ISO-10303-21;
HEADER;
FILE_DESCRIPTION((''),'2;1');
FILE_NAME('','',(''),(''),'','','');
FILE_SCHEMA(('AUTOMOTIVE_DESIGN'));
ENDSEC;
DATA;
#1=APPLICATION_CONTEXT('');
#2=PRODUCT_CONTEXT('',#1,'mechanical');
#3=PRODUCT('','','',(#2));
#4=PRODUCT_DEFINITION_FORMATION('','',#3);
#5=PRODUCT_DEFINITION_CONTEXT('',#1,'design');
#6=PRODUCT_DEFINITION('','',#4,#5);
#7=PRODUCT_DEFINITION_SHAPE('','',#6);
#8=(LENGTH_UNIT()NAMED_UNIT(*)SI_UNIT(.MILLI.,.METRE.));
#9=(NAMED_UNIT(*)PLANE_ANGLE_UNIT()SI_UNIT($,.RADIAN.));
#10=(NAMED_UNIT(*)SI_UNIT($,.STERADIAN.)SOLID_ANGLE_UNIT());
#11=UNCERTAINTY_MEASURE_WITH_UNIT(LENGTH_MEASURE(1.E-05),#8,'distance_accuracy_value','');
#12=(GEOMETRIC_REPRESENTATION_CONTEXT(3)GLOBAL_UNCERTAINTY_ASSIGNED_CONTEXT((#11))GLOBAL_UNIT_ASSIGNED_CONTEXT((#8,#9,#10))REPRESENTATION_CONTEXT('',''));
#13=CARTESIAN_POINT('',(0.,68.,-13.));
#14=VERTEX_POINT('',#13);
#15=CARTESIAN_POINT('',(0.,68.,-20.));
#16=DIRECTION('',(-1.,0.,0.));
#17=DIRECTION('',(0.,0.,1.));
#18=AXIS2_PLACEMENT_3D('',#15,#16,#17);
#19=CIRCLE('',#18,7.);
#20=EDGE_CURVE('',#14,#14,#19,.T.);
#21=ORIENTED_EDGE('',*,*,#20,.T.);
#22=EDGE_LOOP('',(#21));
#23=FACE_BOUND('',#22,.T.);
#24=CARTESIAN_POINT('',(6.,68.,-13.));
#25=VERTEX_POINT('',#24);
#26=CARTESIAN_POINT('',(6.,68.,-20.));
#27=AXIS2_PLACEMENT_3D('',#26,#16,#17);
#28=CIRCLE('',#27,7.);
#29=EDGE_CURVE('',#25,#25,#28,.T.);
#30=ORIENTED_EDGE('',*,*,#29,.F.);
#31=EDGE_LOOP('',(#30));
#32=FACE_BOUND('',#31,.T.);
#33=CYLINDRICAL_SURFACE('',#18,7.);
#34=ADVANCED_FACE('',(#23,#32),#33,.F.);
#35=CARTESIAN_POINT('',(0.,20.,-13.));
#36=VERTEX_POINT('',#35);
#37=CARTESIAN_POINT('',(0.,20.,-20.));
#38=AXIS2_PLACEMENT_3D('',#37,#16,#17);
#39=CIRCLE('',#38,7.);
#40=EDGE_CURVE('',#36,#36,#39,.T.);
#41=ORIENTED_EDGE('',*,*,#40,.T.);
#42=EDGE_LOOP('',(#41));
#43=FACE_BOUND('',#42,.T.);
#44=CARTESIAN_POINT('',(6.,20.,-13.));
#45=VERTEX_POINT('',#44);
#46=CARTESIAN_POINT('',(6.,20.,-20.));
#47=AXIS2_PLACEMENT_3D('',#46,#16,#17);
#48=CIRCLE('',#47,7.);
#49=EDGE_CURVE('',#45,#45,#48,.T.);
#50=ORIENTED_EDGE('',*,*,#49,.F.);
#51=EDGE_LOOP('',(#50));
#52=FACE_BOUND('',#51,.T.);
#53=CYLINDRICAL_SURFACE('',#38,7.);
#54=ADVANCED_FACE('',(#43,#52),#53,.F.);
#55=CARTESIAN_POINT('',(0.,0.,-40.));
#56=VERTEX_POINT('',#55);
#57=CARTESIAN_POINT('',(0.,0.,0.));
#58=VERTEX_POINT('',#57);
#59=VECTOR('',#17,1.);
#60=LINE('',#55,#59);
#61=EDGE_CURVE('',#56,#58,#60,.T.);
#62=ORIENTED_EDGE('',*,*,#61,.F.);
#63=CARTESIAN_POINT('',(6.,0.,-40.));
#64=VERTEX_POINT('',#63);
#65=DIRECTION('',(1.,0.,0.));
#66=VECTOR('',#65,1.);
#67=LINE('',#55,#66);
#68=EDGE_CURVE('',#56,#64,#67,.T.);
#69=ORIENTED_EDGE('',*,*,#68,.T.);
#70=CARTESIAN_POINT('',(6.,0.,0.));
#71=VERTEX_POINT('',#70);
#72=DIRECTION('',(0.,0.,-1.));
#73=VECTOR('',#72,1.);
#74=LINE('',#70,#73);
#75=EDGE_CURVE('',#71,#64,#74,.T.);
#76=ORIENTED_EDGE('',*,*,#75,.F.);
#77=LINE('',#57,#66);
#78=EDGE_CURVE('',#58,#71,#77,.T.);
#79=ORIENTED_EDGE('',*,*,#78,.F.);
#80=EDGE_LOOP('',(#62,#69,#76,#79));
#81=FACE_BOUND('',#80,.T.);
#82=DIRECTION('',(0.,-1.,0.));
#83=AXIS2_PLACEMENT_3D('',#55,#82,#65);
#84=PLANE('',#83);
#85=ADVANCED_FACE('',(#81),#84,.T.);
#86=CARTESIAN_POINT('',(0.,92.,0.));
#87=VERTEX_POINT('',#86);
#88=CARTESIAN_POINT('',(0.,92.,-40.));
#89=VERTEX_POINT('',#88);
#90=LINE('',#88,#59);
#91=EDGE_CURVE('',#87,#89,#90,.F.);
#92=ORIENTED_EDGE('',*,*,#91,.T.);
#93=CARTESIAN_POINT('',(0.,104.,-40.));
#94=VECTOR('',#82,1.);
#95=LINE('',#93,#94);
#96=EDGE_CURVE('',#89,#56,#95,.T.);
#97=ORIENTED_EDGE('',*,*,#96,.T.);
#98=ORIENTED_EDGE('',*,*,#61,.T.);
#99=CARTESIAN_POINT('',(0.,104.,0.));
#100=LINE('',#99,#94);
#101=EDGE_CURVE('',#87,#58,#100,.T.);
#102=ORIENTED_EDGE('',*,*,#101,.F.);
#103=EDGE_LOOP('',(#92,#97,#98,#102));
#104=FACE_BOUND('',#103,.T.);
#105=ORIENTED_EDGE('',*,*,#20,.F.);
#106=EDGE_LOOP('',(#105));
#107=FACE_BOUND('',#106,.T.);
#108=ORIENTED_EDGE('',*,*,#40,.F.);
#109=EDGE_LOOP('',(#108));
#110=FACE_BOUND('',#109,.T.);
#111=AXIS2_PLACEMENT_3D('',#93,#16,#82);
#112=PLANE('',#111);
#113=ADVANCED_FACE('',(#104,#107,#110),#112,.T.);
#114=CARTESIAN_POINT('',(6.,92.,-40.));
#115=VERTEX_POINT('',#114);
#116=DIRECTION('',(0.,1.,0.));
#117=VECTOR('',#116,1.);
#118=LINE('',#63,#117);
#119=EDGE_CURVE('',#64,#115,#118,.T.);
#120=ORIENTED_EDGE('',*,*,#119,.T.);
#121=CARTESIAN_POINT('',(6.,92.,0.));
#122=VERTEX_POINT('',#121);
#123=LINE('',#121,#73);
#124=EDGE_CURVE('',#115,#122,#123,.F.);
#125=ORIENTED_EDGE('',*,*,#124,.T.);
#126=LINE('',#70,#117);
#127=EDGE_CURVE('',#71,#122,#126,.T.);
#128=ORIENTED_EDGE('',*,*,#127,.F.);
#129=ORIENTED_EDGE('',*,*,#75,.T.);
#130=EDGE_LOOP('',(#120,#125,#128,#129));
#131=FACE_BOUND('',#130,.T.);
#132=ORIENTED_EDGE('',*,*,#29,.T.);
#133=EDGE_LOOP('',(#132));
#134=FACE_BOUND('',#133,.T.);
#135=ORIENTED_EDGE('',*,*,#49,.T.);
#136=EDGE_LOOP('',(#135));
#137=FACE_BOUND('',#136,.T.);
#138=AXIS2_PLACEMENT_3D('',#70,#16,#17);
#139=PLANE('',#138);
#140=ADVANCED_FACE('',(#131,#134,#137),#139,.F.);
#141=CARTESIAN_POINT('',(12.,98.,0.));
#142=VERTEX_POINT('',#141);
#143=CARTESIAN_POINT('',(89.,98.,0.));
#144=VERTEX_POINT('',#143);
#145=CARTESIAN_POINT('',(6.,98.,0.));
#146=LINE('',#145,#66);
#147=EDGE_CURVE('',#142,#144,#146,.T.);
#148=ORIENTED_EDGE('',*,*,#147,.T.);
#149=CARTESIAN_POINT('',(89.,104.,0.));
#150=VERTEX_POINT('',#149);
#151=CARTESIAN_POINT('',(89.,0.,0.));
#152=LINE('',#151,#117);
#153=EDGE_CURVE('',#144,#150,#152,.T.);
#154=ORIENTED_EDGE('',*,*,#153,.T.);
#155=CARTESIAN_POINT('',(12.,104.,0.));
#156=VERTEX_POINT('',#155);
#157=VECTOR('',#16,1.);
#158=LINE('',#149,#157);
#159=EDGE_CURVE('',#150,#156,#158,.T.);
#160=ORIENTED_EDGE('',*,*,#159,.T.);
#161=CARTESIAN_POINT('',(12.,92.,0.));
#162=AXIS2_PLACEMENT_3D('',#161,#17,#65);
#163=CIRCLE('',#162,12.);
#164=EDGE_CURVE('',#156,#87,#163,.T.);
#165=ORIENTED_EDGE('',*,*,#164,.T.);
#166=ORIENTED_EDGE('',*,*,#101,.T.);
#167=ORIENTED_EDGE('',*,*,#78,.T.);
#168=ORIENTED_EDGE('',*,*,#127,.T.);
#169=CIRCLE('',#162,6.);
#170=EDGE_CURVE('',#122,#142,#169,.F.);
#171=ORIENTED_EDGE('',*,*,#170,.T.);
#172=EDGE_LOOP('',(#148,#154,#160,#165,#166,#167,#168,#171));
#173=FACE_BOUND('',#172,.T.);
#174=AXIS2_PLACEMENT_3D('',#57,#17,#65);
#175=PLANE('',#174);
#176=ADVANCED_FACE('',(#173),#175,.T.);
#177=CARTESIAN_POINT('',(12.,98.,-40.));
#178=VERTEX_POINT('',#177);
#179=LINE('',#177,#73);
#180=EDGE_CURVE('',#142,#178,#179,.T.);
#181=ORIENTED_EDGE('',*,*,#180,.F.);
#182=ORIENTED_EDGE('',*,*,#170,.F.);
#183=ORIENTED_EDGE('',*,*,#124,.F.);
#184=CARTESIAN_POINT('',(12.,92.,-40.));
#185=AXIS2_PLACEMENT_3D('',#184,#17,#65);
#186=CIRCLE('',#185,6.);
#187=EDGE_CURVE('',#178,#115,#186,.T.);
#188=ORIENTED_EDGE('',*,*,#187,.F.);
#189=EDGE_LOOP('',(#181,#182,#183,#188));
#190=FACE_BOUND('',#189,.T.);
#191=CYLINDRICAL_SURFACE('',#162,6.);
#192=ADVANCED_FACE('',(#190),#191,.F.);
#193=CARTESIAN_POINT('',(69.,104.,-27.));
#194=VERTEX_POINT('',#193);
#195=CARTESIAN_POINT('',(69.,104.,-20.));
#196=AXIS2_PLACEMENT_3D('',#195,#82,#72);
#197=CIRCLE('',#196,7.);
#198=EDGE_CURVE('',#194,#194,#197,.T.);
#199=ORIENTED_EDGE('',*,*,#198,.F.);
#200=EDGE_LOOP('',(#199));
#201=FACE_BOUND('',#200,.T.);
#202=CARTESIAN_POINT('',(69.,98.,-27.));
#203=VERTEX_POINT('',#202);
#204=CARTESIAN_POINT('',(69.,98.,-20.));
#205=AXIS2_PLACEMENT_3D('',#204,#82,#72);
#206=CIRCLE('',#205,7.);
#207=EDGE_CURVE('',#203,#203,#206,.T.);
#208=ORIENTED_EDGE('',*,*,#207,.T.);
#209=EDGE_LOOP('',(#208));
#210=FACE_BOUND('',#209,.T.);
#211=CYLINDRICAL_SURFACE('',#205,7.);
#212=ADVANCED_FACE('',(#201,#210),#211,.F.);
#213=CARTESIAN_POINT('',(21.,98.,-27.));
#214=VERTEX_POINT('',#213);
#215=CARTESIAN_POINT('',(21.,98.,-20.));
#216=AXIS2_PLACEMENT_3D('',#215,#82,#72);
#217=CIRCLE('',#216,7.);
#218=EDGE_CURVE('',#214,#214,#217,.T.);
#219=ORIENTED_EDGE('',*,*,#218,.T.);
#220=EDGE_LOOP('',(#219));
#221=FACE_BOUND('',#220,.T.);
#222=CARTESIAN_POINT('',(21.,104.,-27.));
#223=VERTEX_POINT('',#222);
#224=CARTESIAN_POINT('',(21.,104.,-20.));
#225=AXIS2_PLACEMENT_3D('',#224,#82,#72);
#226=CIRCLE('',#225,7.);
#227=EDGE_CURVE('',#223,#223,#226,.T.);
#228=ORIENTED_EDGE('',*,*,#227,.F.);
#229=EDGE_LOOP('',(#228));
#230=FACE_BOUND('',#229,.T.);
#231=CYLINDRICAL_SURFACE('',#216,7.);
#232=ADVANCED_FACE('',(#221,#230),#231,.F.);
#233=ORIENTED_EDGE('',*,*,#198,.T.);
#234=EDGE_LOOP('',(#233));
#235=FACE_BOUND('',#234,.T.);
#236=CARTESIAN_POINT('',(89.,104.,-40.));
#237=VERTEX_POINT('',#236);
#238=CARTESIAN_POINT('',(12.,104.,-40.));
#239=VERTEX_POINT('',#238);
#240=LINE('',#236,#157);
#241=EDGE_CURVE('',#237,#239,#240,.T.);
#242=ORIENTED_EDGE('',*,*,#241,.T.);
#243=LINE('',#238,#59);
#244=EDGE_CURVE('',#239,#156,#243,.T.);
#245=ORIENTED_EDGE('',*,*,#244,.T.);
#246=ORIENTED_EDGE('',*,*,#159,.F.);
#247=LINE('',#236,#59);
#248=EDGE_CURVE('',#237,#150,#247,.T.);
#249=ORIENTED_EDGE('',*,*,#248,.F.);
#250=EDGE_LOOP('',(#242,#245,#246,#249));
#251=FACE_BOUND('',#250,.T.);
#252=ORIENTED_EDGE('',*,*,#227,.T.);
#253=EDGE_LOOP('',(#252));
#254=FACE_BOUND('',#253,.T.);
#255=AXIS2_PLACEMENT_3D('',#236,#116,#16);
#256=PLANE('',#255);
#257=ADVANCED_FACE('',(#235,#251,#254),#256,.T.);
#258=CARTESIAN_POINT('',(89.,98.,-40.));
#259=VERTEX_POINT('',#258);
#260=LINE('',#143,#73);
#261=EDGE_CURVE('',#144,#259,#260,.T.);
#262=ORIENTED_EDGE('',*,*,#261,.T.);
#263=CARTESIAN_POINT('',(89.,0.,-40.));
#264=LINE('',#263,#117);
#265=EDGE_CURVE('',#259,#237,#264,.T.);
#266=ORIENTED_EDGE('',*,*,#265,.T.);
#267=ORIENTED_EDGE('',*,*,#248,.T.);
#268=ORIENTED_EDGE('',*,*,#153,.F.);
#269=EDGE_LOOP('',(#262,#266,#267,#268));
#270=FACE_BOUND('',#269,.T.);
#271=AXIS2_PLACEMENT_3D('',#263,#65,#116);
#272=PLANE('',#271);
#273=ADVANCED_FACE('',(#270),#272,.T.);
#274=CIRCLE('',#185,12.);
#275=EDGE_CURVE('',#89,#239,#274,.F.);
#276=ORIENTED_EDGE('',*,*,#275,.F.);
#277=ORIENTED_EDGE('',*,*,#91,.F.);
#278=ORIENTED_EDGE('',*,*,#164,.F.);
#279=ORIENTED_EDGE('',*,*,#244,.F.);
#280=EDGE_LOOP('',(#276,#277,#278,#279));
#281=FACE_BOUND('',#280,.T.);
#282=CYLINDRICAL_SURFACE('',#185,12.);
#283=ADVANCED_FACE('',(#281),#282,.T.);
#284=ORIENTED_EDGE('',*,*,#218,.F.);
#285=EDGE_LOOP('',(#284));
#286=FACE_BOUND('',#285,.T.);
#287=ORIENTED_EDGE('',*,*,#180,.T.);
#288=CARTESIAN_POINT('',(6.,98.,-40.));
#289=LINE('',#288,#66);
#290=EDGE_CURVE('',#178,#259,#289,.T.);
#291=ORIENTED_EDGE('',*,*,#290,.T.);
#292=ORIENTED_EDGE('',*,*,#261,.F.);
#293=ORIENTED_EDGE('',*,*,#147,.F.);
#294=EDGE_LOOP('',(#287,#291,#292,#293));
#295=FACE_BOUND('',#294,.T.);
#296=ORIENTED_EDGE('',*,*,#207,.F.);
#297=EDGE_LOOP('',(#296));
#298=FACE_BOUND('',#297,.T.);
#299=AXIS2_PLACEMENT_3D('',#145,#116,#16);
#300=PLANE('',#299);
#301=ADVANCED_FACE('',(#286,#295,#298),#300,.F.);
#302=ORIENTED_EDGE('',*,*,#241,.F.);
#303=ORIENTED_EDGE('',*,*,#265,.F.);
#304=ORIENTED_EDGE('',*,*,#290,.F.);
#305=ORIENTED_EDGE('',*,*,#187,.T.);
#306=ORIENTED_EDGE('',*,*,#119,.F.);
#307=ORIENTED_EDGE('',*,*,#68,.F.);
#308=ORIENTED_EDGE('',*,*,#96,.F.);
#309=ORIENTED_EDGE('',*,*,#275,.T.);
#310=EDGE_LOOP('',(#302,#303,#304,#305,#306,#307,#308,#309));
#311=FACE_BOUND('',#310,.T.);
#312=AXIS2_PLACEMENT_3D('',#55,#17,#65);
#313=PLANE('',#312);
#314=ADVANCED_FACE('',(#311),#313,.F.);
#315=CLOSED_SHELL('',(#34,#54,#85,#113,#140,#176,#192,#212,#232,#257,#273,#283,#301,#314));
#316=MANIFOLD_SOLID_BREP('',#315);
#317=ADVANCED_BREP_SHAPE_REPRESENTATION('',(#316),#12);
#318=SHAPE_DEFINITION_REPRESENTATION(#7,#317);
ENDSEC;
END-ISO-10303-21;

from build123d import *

# Parameters (mm, degrees)
SKETCH1_W                      = 89
SKETCH1_H                      = 104
BOSS_EXTRUDE1_DEPTH            = 40
SKETCH2_W                      = 83
SKETCH2_H                      = 98
CUT_EXTRUDE1_DEPTH             = 41
F_14_0_14_DIAMETER_HOLE1_D     = 14
F_14_0_14_DIAMETER_HOLE1_DEPTH = 89
F_14_0_14_DIAMETER_HOLE2_D     = 14
F_14_0_14_DIAMETER_HOLE2_DEPTH = 6
FILLET1_R                      = 6
FILLET2_R                      = 12


with BuildPart() as part:
    # Sketch1 → Boss-Extrude1 (new body)
    with BuildSketch(Plane.XY):
        with Locations((44.5, 52)):
            Rectangle(SKETCH1_W, SKETCH1_H)
    extrude(amount=-BOSS_EXTRUDE1_DEPTH)

    # Sketch2 → Cut-Extrude1 (cut, through all)
    with BuildSketch(Plane(origin=(0, 0, -40), x_dir=(-1, 0, 0), z_dir=(0, 0, -1))):
        with Locations((-47.5, 49)):
            Rectangle(SKETCH2_W, SKETCH2_H)
    extrude(amount=-CUT_EXTRUDE1_DEPTH, mode=Mode.SUBTRACT)

    # Ø14.0 (14) Diameter Hole1
    with Locations(Plane.ZY):
        with Locations((-20, 68), (-20, 20)):
            Hole(F_14_0_14_DIAMETER_HOLE1_D / 2, depth=F_14_0_14_DIAMETER_HOLE1_DEPTH)

    # Ø14.0 (14) Diameter Hole2
    with Locations(Plane(origin=(0, 98, 0), x_dir=(-1, 0, 0), z_dir=(0, -1, 0))):
        with Locations((-69, 20), (-21, 20)):
            Hole(F_14_0_14_DIAMETER_HOLE2_D / 2, depth=F_14_0_14_DIAMETER_HOLE2_DEPTH)

    # Fillet1
    fillet1_edges = [part.edges().sort_by_distance(p)[0] for p in [
        (6, 98, -20),
    ]]
    fillet(fillet1_edges, radius=FILLET1_R)

    # Fillet2
    fillet2_edges = [part.edges().sort_by_distance(p)[0] for p in [
        (0, 104, -20),
    ]]
    fillet(fillet2_edges, radius=FILLET2_R)


solid = part.part
